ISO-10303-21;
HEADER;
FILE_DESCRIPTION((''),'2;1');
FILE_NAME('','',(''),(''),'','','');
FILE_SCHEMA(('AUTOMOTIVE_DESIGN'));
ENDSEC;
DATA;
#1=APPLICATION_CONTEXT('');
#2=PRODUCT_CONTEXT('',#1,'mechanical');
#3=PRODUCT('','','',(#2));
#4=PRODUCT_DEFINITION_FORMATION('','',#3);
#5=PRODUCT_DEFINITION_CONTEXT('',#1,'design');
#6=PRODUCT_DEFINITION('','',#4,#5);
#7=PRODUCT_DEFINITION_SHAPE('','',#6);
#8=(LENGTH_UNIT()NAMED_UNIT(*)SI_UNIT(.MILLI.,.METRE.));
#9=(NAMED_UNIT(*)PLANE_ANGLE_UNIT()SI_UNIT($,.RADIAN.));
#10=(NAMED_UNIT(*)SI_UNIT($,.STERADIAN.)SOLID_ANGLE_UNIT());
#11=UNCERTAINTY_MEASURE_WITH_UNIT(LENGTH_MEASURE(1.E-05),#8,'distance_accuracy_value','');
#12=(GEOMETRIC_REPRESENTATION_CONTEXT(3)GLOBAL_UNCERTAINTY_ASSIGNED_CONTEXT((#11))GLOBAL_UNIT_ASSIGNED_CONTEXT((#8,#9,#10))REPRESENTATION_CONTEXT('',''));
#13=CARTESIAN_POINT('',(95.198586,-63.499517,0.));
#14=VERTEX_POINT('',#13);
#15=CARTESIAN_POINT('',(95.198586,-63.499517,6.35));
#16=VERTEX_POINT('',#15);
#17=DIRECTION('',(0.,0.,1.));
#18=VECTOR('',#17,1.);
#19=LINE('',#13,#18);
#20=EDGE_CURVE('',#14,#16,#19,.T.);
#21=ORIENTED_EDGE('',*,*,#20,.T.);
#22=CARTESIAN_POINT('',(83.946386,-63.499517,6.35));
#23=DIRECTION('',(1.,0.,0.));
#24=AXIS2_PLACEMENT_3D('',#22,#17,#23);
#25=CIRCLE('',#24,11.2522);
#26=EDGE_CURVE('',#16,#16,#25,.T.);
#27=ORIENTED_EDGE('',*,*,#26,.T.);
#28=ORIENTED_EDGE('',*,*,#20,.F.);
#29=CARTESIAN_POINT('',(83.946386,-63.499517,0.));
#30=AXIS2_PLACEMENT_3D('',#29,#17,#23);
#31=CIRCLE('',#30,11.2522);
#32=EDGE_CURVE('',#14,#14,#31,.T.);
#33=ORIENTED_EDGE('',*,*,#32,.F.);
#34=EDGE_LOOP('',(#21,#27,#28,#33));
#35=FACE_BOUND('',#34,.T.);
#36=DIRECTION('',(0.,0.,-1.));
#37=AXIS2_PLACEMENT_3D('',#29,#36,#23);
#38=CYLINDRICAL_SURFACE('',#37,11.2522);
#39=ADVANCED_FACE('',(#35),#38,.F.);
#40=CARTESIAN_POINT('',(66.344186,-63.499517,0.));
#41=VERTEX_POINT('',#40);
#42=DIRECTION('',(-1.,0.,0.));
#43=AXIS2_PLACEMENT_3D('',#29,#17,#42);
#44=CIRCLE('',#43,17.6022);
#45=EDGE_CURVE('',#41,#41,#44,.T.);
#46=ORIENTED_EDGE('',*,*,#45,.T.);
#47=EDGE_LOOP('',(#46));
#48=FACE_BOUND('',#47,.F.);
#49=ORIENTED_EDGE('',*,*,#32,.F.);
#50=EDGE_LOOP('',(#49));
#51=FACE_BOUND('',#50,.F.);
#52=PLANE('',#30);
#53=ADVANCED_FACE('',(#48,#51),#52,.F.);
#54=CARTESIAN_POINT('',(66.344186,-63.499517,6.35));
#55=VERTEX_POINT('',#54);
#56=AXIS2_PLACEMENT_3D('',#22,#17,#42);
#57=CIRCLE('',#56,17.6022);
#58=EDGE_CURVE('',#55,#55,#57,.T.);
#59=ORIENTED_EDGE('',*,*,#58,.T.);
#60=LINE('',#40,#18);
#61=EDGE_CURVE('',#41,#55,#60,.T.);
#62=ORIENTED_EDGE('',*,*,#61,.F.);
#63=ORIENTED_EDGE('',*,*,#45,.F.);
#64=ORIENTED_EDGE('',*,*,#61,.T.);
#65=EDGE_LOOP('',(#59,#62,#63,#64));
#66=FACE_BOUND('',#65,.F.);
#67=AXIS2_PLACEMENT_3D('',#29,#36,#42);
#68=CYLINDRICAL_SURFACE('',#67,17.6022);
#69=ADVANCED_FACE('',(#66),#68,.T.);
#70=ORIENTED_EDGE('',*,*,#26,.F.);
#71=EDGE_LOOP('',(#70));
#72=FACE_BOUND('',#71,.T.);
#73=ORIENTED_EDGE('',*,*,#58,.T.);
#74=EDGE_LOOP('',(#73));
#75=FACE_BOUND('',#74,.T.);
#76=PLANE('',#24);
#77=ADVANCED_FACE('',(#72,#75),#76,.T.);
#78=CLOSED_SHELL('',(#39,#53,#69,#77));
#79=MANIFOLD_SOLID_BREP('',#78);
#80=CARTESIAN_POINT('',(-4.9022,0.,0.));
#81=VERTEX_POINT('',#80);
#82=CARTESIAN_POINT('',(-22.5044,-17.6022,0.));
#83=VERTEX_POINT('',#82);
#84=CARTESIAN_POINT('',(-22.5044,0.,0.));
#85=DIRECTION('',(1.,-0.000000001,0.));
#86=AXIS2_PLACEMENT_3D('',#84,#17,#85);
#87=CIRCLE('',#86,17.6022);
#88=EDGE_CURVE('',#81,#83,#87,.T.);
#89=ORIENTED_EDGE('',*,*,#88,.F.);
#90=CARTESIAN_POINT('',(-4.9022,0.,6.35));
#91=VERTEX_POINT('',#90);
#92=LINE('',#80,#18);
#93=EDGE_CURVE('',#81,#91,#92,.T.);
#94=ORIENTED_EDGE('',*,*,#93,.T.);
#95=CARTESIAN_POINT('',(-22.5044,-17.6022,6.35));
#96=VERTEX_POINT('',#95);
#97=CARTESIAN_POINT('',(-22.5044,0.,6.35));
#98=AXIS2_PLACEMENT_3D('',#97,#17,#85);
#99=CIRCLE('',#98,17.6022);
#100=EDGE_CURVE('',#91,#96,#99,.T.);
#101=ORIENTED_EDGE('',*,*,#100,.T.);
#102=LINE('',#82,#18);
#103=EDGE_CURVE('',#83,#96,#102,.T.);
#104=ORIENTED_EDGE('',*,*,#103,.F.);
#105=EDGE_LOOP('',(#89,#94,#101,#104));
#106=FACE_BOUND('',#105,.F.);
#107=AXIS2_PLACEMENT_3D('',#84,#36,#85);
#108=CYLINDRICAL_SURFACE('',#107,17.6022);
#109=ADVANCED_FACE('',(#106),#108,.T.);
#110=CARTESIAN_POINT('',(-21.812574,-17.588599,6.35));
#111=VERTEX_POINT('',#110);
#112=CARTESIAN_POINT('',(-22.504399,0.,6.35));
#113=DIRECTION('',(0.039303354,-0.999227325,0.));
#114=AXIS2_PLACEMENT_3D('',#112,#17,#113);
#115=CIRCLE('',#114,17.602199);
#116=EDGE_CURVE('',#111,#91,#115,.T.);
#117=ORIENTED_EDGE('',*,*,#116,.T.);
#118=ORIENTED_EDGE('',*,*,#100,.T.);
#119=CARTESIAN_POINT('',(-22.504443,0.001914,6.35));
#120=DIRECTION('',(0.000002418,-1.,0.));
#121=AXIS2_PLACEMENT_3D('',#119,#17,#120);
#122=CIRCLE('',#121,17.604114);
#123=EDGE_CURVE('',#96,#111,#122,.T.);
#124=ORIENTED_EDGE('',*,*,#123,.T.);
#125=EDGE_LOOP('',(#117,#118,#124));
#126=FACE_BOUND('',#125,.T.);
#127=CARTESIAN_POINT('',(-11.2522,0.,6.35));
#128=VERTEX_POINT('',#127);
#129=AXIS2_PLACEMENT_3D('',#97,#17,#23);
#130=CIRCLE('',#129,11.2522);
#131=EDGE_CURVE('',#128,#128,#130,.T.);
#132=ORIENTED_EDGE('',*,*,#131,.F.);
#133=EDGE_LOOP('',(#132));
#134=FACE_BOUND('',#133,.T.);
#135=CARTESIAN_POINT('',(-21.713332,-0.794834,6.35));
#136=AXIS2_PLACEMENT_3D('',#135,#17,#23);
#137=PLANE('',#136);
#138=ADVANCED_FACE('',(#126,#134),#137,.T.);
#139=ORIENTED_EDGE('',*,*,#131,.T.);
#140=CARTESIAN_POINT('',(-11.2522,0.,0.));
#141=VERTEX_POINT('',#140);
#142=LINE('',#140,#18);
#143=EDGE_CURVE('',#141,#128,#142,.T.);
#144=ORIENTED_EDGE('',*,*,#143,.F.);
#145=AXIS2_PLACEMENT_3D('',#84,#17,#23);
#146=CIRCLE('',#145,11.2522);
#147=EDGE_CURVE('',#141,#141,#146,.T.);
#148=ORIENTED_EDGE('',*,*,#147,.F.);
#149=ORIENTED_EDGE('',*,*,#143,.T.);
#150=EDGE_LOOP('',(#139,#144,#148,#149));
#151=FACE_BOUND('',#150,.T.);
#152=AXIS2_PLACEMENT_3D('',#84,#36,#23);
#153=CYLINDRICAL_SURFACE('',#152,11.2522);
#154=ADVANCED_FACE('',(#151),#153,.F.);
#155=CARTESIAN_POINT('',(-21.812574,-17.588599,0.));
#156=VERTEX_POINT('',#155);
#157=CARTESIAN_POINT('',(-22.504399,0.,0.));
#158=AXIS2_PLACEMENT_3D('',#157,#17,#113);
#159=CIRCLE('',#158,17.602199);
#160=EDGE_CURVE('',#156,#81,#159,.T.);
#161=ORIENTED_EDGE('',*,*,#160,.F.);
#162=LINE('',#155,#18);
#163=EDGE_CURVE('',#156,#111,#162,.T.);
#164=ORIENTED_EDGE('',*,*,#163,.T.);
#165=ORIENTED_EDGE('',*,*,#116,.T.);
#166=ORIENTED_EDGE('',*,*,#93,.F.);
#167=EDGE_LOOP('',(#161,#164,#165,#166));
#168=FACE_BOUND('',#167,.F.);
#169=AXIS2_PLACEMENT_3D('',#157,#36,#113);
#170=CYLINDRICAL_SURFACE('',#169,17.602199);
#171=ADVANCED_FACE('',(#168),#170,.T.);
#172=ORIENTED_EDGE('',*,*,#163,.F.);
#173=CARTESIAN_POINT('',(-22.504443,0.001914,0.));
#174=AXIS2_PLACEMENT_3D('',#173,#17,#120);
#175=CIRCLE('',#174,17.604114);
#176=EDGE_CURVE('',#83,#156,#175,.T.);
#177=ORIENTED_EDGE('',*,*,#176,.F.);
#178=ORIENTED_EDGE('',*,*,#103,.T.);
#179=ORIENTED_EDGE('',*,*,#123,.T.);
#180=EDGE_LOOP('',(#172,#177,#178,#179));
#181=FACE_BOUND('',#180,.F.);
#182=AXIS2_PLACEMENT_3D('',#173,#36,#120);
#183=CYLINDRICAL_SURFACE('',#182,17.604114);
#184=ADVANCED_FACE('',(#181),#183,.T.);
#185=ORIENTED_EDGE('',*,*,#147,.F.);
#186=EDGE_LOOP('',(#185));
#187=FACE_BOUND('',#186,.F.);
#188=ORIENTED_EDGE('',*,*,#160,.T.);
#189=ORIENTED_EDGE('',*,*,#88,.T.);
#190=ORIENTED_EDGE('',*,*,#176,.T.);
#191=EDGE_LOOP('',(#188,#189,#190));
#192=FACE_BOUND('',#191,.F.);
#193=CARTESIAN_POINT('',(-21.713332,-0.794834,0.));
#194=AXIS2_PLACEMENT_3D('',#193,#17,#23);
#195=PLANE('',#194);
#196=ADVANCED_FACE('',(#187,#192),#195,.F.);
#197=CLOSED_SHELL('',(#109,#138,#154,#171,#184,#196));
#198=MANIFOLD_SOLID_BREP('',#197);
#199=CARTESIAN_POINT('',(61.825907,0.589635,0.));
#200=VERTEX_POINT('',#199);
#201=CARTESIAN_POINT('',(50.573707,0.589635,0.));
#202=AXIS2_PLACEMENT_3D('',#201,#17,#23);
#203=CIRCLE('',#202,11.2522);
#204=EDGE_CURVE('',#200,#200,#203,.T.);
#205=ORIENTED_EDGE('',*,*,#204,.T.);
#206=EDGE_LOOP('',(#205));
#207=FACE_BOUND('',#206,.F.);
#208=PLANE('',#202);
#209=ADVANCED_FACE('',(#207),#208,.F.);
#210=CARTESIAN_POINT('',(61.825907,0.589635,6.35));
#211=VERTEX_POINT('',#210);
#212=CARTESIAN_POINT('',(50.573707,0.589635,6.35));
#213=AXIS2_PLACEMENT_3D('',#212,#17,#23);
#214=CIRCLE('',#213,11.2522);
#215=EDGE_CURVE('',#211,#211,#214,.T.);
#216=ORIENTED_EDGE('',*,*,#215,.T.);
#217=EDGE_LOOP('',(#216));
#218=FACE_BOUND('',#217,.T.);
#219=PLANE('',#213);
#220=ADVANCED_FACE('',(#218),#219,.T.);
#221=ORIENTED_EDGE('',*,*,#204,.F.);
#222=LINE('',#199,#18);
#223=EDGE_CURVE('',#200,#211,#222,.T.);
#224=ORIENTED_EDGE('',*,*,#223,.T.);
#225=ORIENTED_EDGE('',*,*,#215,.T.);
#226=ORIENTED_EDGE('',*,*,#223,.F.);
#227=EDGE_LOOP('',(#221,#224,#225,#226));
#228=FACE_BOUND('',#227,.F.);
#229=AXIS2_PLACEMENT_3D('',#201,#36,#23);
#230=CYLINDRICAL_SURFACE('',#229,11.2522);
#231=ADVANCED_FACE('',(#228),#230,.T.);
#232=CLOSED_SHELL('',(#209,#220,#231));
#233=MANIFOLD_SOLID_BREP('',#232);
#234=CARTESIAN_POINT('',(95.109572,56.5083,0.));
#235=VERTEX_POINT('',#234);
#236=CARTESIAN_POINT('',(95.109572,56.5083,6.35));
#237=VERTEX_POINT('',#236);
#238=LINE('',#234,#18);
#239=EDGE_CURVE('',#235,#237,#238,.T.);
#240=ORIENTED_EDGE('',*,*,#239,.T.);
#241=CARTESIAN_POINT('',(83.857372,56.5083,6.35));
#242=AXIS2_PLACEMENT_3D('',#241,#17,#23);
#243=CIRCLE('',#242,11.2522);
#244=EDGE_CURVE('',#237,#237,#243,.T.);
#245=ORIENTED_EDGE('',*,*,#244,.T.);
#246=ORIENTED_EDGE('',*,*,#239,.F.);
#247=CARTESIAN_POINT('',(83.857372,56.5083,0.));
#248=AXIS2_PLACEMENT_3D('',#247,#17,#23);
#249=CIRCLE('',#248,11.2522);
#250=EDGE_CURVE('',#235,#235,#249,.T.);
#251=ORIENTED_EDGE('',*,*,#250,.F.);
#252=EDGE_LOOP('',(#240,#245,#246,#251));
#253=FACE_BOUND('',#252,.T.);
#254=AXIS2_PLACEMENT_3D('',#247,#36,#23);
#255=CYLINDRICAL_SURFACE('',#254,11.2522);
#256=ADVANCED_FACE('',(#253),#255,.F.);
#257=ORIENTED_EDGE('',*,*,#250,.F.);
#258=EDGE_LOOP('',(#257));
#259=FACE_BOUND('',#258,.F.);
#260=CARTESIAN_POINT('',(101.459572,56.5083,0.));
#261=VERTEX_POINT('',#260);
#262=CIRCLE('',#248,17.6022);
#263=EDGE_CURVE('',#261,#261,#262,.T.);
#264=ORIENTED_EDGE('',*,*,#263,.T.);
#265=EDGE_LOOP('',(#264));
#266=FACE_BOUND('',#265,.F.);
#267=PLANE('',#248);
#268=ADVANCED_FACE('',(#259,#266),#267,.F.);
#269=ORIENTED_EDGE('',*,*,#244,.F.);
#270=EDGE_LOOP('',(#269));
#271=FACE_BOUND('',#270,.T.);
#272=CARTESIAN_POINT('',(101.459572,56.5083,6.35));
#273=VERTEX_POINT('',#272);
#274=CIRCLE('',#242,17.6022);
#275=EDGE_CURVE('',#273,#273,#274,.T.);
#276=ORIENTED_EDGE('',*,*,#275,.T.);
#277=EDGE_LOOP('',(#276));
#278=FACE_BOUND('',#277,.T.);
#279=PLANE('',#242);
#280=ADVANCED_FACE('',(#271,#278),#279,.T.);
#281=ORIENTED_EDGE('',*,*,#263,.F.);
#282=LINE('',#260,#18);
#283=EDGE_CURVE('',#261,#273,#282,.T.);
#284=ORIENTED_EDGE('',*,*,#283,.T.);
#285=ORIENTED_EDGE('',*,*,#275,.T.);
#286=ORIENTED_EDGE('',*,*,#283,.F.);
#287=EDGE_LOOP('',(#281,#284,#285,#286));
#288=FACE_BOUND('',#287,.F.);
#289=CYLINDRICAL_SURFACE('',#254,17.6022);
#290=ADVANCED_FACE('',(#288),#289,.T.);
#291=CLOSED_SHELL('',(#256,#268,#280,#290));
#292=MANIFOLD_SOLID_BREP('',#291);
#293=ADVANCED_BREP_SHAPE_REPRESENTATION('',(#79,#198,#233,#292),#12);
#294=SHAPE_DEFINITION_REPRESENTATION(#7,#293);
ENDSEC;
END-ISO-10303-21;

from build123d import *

# Parameters (mm, degrees)
F0_R     = 11.2522
F0_R_2   = 17.6022
F1_DEPTH = 6.35


with BuildPart() as f1:
    # F0 (on Top) → F1 (new body)
    with BuildSketch(Plane.XY):
        with Locations((50.573707, 0.589635)):
            Circle(F0_R)
        with BuildLine():
            ThreePointArc((-21.812574, -17.588599), (-9.815525, -12.199586), (-4.9022, 0))
            ThreePointArc((-4.9022, 0), (-34.951035, 12.446635), (-22.5044, -17.6022))
            ThreePointArc((-22.5044, -17.6022), (-22.158498, -17.594826), (-21.812574, -17.588599))
        make_face()
        with Locations((-22.5044, 0)):
            Circle(F0_R, mode=Mode.SUBTRACT)
        with BuildLine():
            ThreePointArc((101.548586, -63.499517), (83.946386, -45.897317), (66.344186, -63.499517))
            ThreePointArc((66.344186, -63.499517), (83.946386, -81.101717), (101.548586, -63.499517))
        make_face()
        with Locations((83.946386, -63.499517)):
            Circle(F0_R, mode=Mode.SUBTRACT)
        with BuildLine():
            ThreePointArc((-21.812574, -17.588599), (-22.158498, -17.594826), (-22.5044, -17.6022))
            ThreePointArc((-22.5044, -17.6022), (-22.15842, -17.598799), (-21.812574, -17.588599))
        make_face()
        with Locations((83.857372, 56.5083)):
            Circle(F0_R_2)
        with Locations((83.857372, 56.5083)):
            Circle(F0_R, mode=Mode.SUBTRACT)
    extrude(amount=F1_DEPTH)


solid = f1.part
